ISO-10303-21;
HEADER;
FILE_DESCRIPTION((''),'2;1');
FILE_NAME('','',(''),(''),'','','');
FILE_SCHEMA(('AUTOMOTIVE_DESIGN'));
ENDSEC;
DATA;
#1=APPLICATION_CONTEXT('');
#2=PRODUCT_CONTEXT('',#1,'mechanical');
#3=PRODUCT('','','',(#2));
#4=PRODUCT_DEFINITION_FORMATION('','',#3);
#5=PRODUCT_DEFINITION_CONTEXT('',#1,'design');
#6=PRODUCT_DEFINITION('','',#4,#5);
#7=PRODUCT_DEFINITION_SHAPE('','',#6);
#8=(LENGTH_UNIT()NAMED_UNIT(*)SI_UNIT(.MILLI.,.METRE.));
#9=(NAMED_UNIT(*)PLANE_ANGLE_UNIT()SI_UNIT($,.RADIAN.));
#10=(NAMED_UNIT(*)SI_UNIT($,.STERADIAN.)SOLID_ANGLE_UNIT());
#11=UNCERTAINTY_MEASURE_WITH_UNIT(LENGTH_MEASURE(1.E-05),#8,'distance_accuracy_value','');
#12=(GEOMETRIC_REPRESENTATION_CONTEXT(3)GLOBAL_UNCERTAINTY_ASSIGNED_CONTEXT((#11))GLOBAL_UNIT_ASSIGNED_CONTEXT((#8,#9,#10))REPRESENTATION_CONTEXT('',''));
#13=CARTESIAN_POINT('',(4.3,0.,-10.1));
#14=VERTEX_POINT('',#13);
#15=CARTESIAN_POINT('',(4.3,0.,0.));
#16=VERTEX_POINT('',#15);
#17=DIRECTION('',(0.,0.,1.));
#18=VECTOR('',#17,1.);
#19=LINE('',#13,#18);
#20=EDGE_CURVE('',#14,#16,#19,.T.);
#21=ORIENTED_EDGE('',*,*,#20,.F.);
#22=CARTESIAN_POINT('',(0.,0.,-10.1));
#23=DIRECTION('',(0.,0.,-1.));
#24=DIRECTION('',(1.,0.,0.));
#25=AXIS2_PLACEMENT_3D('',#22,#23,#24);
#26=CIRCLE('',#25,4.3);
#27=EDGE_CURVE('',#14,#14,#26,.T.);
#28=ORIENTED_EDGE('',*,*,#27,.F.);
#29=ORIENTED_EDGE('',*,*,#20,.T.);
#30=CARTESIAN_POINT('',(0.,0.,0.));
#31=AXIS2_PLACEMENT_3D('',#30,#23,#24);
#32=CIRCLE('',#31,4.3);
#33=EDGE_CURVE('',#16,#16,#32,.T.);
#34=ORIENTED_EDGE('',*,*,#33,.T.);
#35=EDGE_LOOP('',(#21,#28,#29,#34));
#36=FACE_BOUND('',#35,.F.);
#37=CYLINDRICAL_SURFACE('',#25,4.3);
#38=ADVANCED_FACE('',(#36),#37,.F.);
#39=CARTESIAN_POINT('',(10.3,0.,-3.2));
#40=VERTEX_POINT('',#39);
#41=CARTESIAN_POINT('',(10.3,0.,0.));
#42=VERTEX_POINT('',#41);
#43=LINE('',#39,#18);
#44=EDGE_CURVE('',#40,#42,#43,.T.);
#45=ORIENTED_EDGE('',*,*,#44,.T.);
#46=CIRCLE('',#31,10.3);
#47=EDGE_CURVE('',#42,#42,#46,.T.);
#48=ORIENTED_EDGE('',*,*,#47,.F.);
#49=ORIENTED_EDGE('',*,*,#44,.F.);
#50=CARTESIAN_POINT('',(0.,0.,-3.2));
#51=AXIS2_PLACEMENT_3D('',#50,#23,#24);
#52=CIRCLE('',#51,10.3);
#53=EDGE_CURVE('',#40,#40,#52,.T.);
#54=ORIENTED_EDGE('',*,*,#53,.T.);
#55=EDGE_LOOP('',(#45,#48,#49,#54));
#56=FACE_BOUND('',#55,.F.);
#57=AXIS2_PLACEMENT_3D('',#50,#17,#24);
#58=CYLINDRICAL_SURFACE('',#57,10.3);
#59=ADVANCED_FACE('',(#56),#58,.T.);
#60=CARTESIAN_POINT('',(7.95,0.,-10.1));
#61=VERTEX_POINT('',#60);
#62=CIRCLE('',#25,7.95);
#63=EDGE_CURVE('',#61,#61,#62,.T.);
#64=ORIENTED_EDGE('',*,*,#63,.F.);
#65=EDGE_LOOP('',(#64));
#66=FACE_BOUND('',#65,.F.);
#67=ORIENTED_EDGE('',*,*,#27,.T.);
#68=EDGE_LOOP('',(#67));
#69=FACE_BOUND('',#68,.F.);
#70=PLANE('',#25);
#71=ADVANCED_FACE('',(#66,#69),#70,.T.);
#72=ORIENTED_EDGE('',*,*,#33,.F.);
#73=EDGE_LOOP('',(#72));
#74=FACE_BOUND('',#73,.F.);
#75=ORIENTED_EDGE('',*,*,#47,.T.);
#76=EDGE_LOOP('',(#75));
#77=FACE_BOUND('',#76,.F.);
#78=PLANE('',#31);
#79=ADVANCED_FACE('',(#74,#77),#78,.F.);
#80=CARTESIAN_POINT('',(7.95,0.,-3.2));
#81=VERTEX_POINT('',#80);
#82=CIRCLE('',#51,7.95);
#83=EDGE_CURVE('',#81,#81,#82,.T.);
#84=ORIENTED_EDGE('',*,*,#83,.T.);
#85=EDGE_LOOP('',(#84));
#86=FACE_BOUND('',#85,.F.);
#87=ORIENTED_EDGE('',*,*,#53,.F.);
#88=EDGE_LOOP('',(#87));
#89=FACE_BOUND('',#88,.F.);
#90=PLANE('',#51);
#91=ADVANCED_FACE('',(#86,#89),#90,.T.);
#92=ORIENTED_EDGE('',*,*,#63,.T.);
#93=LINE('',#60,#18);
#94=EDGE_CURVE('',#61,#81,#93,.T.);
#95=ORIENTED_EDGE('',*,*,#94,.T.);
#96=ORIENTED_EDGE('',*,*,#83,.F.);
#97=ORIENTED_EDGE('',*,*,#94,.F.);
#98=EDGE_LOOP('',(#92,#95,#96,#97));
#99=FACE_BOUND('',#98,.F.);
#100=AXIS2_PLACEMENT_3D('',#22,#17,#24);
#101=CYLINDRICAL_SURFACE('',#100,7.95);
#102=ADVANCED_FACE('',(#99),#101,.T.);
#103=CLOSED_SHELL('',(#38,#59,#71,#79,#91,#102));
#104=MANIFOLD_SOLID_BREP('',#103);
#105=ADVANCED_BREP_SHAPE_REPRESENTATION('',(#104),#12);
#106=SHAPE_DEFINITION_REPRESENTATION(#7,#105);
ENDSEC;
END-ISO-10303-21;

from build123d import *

# Parameters (mm, degrees)
F3_R     = 4.3
F4_DEPTH = 10.101


with BuildPart() as f1:
    # F0 (on Front) → F1 (revolve)
    with BuildSketch(Plane.XZ):
        Polygon((10.3, 0), (0, 0), (0, -10.1), (7.95, -10.1), (7.95, -3.2), (10.3, -3.2), align=None)
    revolve(axis=Axis((0, 0, -5.05), (0, 0, -1)))

    # F3 (on offset) → F4 (cut, through all)
    with BuildSketch(Plane(origin=(0, 0, -10.1), x_dir=(1, 0, 0), z_dir=(0, 0, -1))):
        Circle(F3_R)
    extrude(amount=-F4_DEPTH, mode=Mode.SUBTRACT)


solid = f1.part
